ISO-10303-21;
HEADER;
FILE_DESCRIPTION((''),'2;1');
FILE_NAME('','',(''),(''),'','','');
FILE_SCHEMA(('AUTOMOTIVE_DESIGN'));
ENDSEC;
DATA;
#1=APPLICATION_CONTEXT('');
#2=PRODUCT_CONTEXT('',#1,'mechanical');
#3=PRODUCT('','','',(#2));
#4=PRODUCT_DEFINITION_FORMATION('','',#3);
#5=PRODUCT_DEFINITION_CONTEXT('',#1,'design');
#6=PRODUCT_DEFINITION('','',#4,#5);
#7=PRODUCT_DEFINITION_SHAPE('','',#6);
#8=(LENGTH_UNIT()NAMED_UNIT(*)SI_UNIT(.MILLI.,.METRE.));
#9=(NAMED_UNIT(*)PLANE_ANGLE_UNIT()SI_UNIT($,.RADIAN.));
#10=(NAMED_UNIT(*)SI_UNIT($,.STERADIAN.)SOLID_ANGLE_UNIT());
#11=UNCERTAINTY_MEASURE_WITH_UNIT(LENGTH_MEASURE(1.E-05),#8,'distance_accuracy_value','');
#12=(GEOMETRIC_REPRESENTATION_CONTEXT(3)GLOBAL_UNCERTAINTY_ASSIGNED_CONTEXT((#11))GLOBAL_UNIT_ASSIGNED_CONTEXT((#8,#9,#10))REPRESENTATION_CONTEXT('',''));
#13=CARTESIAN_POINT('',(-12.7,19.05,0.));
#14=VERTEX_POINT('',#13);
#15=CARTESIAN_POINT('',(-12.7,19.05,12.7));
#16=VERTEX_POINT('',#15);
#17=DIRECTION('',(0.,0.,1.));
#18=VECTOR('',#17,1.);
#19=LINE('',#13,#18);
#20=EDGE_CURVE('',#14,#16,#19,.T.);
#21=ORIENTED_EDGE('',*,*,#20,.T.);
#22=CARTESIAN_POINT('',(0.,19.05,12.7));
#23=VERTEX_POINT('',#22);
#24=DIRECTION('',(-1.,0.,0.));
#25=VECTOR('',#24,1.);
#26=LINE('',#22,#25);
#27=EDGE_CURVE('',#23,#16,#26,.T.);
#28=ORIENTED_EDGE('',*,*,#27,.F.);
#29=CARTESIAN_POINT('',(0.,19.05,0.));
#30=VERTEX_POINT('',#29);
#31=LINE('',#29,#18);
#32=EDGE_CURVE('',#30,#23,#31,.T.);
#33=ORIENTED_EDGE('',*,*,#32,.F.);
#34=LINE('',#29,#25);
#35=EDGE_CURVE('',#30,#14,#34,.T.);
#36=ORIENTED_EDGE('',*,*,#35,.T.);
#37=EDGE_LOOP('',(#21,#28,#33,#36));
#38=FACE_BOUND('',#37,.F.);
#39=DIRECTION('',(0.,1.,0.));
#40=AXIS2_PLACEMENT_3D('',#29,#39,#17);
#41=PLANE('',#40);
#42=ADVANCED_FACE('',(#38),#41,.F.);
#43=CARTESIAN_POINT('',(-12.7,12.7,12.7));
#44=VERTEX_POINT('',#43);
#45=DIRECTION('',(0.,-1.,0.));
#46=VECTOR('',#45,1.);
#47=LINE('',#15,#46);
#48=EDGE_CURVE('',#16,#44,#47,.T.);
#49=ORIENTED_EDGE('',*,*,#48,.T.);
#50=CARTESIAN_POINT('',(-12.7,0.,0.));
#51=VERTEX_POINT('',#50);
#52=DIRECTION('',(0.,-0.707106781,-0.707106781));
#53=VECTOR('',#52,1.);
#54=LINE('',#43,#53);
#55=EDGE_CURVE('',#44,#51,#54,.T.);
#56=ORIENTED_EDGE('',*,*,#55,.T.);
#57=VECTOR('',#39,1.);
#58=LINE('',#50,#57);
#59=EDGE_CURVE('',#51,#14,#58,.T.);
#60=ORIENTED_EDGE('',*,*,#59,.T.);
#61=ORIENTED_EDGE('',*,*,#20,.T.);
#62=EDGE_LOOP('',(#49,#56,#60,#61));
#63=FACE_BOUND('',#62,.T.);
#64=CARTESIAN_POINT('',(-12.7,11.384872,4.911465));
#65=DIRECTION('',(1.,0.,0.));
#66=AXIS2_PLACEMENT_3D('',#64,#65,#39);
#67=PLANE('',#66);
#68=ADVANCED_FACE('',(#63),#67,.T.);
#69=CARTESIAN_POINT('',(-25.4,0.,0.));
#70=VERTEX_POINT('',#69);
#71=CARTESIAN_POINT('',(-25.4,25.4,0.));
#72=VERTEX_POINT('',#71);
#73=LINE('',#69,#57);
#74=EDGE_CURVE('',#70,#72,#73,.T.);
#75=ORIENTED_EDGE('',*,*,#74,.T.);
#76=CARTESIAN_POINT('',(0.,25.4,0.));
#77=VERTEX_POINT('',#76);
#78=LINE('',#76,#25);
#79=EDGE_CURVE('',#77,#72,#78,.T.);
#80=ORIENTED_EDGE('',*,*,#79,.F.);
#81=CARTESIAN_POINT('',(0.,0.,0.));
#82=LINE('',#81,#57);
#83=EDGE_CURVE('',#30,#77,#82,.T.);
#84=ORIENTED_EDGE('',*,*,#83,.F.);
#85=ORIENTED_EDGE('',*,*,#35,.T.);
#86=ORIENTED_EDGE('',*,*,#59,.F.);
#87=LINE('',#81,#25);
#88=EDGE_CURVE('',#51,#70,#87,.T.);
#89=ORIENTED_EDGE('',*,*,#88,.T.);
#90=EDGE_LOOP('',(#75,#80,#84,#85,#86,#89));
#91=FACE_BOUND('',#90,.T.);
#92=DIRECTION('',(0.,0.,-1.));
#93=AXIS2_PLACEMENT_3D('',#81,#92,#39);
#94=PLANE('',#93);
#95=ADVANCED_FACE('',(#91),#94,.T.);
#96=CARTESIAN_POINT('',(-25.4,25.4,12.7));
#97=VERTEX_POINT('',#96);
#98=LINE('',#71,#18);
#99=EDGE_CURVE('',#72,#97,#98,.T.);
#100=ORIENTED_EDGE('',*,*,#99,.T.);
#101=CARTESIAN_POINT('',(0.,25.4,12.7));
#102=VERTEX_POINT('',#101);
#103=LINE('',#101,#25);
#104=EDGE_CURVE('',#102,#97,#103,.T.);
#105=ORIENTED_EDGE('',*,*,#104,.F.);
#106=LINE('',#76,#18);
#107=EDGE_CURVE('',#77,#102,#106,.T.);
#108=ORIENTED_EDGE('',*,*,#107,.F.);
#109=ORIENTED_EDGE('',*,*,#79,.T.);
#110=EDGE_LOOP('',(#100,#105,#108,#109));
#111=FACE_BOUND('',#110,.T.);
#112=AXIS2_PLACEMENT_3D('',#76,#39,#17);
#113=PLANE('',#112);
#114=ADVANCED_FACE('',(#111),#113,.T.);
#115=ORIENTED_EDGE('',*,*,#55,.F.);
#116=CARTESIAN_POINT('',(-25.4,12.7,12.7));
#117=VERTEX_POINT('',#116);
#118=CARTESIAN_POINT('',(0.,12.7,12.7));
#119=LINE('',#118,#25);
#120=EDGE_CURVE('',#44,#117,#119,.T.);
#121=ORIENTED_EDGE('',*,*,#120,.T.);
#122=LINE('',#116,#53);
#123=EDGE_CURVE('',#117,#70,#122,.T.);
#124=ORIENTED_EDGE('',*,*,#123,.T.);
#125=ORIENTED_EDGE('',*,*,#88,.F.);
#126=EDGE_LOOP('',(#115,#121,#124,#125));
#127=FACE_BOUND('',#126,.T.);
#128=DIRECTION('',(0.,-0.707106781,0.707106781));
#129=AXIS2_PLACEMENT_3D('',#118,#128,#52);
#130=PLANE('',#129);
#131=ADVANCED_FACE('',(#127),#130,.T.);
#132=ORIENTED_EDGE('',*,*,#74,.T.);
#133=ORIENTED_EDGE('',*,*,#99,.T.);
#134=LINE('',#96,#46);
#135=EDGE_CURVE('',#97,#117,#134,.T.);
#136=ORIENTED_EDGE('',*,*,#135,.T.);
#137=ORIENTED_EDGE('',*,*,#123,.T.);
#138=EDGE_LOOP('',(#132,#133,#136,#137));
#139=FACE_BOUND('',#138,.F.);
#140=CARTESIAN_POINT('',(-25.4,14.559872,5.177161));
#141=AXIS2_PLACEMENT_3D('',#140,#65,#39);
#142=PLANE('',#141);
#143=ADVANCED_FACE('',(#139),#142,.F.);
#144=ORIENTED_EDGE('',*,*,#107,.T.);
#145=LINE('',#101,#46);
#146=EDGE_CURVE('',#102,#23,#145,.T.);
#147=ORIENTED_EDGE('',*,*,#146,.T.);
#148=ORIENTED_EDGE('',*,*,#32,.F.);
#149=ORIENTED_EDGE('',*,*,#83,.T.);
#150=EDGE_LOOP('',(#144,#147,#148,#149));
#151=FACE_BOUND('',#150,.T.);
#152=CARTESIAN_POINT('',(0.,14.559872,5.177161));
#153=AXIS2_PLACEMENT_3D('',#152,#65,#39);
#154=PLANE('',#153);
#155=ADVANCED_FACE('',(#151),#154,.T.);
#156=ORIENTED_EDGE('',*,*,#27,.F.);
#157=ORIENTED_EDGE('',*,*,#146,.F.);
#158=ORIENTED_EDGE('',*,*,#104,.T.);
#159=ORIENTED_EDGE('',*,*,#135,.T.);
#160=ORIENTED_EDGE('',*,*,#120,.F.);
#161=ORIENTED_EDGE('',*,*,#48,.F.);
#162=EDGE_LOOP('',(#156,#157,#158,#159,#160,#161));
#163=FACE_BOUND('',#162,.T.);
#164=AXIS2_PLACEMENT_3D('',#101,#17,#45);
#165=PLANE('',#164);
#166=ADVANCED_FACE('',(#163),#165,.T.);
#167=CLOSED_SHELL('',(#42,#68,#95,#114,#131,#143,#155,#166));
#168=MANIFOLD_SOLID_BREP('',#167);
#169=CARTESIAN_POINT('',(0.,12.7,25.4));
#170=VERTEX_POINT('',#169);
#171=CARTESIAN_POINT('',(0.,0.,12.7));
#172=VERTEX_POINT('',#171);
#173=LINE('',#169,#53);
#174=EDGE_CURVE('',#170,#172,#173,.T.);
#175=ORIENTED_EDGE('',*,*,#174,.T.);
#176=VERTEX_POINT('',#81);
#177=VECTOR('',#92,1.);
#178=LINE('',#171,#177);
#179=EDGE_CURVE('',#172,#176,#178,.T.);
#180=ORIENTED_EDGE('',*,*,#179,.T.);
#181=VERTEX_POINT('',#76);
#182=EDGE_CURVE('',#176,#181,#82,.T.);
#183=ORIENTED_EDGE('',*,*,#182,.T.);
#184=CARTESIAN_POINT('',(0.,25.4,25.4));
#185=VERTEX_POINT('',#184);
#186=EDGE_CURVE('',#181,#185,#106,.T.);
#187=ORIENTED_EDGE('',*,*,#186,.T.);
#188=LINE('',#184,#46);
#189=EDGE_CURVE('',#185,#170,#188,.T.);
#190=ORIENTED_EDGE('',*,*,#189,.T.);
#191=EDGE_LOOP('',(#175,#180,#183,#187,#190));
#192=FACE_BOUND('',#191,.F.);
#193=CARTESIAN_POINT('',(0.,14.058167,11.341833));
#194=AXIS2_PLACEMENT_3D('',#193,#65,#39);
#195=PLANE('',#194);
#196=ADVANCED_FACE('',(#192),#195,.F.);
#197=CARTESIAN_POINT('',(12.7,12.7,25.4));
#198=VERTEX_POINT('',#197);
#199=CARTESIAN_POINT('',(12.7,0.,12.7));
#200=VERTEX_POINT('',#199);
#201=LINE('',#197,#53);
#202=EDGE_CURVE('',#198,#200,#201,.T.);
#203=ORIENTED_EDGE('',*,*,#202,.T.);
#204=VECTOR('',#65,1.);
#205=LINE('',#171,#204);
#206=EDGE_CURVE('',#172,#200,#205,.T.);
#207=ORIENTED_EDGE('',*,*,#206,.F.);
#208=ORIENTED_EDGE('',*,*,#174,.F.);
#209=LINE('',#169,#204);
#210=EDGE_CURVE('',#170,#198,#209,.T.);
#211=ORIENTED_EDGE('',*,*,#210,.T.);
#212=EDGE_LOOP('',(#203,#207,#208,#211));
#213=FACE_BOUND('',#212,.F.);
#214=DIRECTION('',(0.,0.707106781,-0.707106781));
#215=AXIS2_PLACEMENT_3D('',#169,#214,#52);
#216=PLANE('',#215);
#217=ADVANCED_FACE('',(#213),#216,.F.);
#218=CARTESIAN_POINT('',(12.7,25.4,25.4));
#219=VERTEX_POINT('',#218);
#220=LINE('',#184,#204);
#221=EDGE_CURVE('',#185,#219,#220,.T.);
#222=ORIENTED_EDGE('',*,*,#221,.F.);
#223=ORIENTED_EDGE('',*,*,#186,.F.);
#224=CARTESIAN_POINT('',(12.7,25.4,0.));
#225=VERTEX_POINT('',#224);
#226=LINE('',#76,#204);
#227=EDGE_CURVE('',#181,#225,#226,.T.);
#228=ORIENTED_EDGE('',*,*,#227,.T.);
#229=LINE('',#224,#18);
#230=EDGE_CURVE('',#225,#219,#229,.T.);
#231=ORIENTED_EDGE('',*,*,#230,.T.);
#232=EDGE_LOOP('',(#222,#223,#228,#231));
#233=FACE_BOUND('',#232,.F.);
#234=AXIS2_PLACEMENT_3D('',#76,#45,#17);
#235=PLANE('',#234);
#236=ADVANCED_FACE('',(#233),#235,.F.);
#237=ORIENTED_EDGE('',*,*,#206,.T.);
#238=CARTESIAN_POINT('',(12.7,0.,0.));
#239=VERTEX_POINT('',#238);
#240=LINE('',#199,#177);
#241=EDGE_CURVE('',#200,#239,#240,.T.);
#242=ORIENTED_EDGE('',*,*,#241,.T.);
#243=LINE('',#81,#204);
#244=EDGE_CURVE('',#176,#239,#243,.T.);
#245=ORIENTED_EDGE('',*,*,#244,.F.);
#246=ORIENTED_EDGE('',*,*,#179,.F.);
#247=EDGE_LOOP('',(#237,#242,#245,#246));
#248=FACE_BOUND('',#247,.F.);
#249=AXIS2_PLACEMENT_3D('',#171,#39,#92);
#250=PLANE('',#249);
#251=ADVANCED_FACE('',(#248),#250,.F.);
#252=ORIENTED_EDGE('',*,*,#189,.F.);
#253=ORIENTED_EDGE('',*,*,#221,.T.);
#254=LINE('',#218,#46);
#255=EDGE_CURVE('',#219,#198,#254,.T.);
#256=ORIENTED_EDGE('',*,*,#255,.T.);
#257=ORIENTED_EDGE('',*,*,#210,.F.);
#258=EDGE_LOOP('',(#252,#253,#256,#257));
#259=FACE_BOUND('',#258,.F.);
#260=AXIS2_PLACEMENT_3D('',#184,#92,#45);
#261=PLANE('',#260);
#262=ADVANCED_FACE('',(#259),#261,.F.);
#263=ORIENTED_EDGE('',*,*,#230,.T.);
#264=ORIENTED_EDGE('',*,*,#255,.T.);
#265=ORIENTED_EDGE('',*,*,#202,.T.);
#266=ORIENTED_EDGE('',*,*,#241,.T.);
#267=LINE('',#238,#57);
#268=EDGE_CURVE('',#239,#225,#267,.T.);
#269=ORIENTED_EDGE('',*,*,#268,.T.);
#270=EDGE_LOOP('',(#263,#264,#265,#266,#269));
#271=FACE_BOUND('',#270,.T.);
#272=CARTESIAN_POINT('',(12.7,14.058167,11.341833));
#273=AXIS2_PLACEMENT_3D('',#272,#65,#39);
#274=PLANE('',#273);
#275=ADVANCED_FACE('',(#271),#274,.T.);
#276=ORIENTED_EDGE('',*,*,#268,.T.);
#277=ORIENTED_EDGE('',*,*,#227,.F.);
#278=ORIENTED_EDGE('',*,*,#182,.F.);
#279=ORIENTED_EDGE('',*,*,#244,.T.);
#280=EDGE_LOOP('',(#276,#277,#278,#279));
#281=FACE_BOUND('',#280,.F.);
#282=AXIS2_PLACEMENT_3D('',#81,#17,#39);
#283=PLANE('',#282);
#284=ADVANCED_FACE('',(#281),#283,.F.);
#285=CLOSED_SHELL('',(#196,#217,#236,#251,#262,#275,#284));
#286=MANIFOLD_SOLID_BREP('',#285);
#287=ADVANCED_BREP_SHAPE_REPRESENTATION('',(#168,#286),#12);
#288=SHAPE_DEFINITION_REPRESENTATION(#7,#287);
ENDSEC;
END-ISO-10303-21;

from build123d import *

# Parameters (mm, degrees)
F1_DEPTH = 12.7
F3_DEPTH = 25.4
F5_DEPTH = 12.7


with BuildPart() as f1:
    # F0 (on Right) → F1 (new body)
    with BuildSketch(Plane.YZ):
        Polygon((0, 12.7), (0, 0), (25.4, 0), (25.4, 25.4), (12.7, 25.4), align=None)
    extrude(amount=F1_DEPTH)


with BuildPart() as f3:
    # F2 (on Right) → F3 (new body)
    with BuildSketch(Plane.YZ):
        Polygon((12.7, 12.7), (0, 0), (25.4, 0), (25.4, 12.7), align=None)
    extrude(amount=-F3_DEPTH)

    # F4 (on Right) → F5 (cut)
    with BuildSketch(Plane.YZ):
        Polygon((12.7, 12.7), (0, 0), (19.05, 0), (19.05, 12.7), align=None)
    extrude(amount=-F5_DEPTH, mode=Mode.SUBTRACT)


solid = Compound([f1.part, f3.part])
